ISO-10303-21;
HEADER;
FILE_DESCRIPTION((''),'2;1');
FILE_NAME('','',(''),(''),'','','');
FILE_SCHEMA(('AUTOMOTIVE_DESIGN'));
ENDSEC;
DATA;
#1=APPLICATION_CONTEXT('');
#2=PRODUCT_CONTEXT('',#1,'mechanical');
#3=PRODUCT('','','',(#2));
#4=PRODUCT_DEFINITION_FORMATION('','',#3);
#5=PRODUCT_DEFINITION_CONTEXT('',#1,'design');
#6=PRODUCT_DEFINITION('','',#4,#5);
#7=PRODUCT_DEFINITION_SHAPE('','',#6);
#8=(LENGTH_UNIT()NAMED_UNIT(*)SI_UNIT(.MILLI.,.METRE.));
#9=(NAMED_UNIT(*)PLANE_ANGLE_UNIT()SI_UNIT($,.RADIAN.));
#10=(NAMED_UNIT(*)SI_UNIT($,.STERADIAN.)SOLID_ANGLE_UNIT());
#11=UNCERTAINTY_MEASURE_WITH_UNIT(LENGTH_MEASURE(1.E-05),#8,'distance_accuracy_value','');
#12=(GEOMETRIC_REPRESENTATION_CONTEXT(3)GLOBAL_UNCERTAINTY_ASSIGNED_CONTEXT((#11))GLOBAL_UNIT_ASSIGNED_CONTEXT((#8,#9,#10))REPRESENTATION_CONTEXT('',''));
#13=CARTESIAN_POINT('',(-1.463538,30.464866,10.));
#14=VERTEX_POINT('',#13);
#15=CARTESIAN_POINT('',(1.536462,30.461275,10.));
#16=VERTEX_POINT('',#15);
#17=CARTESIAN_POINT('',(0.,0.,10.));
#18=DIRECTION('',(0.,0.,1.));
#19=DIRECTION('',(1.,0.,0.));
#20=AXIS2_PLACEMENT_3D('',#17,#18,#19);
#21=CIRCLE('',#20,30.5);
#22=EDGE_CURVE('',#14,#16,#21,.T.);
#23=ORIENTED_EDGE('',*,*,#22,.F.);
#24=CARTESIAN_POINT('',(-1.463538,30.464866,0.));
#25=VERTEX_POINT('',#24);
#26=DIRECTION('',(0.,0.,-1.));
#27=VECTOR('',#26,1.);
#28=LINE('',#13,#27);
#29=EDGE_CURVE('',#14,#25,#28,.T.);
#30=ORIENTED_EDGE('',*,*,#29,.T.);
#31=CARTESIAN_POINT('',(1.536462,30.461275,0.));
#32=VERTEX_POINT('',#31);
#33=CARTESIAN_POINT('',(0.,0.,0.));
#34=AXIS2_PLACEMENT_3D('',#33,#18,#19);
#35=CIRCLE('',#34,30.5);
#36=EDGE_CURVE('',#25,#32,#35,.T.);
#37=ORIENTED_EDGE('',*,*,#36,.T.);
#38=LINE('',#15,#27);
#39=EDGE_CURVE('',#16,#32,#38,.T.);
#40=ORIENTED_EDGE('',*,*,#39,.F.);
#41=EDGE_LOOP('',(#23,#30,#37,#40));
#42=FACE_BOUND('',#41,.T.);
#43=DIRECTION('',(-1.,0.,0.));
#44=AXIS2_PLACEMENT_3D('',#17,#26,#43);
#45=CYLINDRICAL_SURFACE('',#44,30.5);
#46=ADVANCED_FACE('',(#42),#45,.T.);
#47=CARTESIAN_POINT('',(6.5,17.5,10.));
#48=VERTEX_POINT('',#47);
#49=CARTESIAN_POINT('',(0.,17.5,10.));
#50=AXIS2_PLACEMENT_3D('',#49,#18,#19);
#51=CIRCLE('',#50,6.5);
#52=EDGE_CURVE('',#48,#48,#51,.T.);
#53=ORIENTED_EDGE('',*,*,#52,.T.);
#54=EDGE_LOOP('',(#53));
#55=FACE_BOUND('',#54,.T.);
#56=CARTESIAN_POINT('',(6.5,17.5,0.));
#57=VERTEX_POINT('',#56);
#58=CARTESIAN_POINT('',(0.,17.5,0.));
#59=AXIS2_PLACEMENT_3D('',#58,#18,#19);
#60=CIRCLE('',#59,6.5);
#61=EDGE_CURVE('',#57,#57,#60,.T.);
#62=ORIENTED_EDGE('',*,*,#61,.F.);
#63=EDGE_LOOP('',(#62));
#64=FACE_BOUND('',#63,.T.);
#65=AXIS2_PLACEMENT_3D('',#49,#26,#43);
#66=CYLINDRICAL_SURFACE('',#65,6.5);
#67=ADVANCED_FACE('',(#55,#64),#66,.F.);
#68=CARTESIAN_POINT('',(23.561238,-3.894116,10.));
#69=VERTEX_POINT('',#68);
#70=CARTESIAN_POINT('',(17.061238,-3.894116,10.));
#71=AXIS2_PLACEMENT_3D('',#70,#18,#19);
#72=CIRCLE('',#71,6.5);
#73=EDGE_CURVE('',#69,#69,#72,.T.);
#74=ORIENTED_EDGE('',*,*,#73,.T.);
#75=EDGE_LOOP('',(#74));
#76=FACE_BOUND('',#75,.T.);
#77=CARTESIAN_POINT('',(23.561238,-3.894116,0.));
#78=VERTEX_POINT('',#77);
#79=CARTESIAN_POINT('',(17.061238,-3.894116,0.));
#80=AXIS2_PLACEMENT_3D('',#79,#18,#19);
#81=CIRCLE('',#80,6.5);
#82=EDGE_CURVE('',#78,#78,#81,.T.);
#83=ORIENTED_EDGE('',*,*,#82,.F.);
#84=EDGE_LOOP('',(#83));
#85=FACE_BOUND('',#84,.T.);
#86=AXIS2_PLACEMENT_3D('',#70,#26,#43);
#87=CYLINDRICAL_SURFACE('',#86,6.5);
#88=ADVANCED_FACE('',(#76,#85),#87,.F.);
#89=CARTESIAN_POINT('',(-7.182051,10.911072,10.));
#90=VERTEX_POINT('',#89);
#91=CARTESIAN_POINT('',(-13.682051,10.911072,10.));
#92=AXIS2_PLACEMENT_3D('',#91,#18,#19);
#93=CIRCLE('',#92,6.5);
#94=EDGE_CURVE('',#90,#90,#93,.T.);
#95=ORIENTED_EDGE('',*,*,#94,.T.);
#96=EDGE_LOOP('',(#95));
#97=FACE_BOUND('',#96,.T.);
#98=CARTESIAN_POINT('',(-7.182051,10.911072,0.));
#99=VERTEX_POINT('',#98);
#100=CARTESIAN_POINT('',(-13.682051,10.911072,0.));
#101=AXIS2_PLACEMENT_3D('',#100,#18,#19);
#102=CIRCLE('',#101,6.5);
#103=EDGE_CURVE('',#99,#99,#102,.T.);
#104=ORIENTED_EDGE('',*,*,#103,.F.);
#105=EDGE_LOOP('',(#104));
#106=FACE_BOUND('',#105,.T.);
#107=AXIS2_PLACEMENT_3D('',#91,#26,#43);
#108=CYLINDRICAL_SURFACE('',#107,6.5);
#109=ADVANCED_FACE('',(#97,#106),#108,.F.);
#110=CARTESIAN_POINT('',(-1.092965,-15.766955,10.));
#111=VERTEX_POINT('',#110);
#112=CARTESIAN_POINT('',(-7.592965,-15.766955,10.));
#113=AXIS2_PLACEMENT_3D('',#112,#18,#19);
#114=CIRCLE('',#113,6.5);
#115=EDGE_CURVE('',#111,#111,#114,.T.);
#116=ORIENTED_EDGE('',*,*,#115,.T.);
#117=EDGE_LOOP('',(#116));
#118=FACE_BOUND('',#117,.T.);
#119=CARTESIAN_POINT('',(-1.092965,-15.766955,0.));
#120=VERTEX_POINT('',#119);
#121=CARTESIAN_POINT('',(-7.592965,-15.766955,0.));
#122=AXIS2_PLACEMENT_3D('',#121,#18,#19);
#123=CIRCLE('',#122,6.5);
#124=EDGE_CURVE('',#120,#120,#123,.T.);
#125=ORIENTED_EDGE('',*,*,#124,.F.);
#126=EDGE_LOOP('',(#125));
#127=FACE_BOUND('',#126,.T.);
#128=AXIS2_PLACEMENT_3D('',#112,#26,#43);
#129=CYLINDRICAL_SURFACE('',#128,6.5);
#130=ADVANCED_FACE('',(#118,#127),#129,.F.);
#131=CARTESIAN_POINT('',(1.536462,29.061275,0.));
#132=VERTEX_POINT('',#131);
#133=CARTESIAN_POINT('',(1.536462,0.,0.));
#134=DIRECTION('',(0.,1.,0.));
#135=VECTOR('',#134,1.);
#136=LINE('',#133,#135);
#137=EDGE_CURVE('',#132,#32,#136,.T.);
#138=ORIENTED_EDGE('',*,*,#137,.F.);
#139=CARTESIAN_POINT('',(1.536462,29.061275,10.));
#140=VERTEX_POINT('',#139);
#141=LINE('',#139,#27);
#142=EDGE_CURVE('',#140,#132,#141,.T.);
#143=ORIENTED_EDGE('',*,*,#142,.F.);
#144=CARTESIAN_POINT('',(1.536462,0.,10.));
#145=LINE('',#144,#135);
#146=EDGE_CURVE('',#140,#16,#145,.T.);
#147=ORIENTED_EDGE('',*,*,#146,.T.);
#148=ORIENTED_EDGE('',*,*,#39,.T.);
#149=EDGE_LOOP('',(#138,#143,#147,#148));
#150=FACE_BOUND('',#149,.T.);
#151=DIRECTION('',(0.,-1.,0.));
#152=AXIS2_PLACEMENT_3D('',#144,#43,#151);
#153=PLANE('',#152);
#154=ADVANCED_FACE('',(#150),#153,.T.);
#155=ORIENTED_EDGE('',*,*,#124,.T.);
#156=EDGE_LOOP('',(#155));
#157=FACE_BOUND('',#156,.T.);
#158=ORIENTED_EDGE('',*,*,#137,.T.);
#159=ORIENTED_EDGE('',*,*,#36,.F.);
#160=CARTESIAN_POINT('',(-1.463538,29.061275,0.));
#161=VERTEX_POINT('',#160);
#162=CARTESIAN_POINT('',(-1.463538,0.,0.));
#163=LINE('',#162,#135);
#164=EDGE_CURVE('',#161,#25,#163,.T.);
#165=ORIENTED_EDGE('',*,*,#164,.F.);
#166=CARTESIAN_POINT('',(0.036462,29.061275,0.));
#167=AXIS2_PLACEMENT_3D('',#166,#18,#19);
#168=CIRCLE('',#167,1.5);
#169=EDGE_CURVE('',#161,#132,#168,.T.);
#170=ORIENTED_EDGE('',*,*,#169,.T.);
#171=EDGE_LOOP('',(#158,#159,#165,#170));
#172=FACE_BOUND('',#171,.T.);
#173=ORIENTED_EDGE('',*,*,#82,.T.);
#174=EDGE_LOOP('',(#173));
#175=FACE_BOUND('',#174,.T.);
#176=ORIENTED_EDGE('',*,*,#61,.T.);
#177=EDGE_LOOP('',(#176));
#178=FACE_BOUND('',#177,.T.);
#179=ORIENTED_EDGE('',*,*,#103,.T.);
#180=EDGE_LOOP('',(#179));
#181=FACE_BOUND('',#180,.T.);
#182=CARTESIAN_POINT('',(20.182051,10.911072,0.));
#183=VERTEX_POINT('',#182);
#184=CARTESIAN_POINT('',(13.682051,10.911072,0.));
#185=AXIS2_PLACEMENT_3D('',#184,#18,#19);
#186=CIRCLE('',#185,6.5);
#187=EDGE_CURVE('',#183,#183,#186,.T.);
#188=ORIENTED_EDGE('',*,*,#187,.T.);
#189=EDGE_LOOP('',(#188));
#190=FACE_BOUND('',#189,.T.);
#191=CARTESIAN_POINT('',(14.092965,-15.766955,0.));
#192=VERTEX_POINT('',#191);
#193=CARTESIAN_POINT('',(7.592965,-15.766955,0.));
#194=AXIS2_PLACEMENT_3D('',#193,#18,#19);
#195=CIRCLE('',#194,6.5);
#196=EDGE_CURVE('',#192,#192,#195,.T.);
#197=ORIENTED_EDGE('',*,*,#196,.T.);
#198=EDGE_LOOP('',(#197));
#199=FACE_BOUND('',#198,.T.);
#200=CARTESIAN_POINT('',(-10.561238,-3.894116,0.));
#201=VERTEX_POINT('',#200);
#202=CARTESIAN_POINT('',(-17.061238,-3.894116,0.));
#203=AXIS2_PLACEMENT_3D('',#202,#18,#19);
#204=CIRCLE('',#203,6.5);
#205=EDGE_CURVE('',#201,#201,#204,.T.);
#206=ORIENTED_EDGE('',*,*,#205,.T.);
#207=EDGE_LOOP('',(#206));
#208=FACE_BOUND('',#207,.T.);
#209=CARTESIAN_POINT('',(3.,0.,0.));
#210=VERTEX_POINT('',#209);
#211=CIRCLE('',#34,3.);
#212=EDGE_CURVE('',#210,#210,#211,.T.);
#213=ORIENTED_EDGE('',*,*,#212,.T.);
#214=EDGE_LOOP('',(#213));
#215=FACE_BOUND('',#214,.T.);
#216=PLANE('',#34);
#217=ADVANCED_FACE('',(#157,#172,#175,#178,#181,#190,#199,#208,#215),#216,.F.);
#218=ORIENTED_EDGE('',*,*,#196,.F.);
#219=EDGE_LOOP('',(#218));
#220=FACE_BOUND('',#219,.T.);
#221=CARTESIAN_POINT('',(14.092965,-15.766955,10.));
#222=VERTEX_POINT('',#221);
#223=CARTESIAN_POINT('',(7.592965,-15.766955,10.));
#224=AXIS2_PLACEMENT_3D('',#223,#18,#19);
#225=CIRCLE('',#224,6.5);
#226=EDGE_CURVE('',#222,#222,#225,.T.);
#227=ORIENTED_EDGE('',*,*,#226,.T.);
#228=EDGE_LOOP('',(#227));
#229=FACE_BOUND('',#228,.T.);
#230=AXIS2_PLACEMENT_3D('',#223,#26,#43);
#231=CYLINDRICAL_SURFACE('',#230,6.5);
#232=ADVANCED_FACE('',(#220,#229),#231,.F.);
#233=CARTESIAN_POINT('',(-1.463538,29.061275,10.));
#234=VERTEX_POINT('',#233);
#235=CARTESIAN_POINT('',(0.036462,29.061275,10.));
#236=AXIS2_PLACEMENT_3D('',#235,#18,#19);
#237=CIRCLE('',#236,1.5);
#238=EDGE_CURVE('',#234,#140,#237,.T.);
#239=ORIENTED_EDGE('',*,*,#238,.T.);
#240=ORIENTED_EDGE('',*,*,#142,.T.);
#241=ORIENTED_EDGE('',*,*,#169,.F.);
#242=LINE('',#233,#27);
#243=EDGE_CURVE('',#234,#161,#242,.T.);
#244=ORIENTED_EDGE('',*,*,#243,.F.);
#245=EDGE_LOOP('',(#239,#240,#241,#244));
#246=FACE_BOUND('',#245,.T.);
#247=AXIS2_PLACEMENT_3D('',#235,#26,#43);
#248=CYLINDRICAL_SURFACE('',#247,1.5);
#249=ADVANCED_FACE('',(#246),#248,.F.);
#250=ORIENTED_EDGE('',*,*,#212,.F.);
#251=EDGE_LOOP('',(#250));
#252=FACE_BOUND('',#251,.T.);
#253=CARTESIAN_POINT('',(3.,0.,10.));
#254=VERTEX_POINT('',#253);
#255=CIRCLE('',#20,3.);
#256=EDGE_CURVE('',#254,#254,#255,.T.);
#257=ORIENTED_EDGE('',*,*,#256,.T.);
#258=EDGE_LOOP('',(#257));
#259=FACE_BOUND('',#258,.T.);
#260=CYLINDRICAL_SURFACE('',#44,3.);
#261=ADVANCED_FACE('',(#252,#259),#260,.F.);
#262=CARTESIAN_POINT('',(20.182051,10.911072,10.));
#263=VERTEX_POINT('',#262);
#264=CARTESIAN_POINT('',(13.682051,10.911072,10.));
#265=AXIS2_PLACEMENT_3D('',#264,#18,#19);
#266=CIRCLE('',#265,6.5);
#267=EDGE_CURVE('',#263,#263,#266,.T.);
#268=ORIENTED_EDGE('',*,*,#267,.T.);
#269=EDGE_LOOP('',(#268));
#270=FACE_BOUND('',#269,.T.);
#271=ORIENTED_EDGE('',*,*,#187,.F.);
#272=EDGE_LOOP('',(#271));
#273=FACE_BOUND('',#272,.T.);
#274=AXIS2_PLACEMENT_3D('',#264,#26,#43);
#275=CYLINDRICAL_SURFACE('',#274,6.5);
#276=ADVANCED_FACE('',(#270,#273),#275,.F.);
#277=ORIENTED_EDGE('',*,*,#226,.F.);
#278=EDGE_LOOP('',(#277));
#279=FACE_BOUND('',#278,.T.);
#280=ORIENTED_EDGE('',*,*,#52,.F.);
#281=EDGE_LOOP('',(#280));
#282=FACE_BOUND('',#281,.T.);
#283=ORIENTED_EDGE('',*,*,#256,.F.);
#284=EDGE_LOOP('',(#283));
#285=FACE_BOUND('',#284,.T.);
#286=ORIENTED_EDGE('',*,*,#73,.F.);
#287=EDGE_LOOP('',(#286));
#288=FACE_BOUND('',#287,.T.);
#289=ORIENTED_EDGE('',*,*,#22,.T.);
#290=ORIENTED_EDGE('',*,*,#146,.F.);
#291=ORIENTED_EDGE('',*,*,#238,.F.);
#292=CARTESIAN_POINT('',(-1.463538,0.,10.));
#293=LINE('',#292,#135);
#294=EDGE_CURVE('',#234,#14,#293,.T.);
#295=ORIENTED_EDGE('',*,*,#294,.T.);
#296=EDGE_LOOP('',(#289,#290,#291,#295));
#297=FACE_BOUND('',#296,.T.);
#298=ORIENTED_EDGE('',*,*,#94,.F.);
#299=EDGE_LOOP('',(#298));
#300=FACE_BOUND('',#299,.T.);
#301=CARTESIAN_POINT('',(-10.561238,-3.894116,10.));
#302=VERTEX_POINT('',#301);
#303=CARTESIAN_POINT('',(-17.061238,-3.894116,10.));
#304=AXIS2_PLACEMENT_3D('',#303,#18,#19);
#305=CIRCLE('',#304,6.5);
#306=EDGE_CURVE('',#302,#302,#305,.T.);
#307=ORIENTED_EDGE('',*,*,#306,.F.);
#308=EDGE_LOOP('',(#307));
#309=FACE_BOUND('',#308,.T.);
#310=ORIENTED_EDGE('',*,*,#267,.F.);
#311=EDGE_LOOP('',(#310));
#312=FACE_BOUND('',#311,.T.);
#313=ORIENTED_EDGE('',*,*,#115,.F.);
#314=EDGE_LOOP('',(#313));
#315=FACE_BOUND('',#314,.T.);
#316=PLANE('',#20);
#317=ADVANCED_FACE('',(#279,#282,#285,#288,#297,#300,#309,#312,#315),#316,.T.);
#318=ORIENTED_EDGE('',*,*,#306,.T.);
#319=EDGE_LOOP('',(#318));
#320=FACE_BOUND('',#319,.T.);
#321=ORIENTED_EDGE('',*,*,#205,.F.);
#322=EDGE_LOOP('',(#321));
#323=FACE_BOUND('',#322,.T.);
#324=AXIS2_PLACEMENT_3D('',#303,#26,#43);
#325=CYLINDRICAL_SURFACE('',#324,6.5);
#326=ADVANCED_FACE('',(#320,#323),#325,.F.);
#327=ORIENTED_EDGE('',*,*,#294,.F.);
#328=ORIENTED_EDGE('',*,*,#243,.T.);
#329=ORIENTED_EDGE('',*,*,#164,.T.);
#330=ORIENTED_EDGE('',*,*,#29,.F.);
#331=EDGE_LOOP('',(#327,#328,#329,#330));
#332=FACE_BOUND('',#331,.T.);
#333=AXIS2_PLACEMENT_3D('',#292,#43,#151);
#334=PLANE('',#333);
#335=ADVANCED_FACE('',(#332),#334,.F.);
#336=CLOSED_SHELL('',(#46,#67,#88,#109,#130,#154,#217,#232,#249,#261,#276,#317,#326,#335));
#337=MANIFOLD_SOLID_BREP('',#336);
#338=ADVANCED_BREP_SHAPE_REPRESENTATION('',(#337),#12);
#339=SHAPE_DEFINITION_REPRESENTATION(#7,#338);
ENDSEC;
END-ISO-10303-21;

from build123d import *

# Parameters (mm, degrees)
SZKIC1_R                    = 6.5
SZKIC1_R_2                  = 3
DODANIE_WYCI_GNI_CIE1_DEPTH = 10


with BuildPart() as part:
    # Szkic1 → Dodanie-wyciągnięcie1 (new body)
    with BuildSketch(Plane.XY):
        with BuildLine():
            ThreePointArc((1.536461967, 29.061275164), (0.036461967, 27.561275164), (-1.463538033, 29.061275164))
            Line((-1.463538033, 29.061275164), (-1.463538033, 30.464865935))
            ThreePointArc((-1.463538033, 30.464865935), (-21.042957135, -22.07813296), (30.5, 0))
            ThreePointArc((30.5, 0), (22.103303938, 21.016516243), (1.536461967, 30.461275164))
            Line((1.536461967, 30.461275164), (1.536461967, 29.061275164))
        make_face()
        with Locations((-7.592965435, -15.766955188)):
            Circle(SZKIC1_R, mode=Mode.SUBTRACT)
        with Locations((-17.061238463, -3.894116344)):
            Circle(SZKIC1_R, mode=Mode.SUBTRACT)
        with Locations((7.592965435, -15.766955188)):
            Circle(SZKIC1_R, mode=Mode.SUBTRACT)
        with Locations((17.061238463, -3.894116344)):
            Circle(SZKIC1_R, mode=Mode.SUBTRACT)
        with Locations((-13.682050943, 10.911071533)):
            Circle(SZKIC1_R, mode=Mode.SUBTRACT)
        Circle(SZKIC1_R_2, mode=Mode.SUBTRACT)
        with Locations((13.682050943, 10.911071533)):
            Circle(SZKIC1_R, mode=Mode.SUBTRACT)
        with Locations((0, 17.5)):
            Circle(SZKIC1_R, mode=Mode.SUBTRACT)
    extrude(amount=DODANIE_WYCI_GNI_CIE1_DEPTH)


solid = part.part
